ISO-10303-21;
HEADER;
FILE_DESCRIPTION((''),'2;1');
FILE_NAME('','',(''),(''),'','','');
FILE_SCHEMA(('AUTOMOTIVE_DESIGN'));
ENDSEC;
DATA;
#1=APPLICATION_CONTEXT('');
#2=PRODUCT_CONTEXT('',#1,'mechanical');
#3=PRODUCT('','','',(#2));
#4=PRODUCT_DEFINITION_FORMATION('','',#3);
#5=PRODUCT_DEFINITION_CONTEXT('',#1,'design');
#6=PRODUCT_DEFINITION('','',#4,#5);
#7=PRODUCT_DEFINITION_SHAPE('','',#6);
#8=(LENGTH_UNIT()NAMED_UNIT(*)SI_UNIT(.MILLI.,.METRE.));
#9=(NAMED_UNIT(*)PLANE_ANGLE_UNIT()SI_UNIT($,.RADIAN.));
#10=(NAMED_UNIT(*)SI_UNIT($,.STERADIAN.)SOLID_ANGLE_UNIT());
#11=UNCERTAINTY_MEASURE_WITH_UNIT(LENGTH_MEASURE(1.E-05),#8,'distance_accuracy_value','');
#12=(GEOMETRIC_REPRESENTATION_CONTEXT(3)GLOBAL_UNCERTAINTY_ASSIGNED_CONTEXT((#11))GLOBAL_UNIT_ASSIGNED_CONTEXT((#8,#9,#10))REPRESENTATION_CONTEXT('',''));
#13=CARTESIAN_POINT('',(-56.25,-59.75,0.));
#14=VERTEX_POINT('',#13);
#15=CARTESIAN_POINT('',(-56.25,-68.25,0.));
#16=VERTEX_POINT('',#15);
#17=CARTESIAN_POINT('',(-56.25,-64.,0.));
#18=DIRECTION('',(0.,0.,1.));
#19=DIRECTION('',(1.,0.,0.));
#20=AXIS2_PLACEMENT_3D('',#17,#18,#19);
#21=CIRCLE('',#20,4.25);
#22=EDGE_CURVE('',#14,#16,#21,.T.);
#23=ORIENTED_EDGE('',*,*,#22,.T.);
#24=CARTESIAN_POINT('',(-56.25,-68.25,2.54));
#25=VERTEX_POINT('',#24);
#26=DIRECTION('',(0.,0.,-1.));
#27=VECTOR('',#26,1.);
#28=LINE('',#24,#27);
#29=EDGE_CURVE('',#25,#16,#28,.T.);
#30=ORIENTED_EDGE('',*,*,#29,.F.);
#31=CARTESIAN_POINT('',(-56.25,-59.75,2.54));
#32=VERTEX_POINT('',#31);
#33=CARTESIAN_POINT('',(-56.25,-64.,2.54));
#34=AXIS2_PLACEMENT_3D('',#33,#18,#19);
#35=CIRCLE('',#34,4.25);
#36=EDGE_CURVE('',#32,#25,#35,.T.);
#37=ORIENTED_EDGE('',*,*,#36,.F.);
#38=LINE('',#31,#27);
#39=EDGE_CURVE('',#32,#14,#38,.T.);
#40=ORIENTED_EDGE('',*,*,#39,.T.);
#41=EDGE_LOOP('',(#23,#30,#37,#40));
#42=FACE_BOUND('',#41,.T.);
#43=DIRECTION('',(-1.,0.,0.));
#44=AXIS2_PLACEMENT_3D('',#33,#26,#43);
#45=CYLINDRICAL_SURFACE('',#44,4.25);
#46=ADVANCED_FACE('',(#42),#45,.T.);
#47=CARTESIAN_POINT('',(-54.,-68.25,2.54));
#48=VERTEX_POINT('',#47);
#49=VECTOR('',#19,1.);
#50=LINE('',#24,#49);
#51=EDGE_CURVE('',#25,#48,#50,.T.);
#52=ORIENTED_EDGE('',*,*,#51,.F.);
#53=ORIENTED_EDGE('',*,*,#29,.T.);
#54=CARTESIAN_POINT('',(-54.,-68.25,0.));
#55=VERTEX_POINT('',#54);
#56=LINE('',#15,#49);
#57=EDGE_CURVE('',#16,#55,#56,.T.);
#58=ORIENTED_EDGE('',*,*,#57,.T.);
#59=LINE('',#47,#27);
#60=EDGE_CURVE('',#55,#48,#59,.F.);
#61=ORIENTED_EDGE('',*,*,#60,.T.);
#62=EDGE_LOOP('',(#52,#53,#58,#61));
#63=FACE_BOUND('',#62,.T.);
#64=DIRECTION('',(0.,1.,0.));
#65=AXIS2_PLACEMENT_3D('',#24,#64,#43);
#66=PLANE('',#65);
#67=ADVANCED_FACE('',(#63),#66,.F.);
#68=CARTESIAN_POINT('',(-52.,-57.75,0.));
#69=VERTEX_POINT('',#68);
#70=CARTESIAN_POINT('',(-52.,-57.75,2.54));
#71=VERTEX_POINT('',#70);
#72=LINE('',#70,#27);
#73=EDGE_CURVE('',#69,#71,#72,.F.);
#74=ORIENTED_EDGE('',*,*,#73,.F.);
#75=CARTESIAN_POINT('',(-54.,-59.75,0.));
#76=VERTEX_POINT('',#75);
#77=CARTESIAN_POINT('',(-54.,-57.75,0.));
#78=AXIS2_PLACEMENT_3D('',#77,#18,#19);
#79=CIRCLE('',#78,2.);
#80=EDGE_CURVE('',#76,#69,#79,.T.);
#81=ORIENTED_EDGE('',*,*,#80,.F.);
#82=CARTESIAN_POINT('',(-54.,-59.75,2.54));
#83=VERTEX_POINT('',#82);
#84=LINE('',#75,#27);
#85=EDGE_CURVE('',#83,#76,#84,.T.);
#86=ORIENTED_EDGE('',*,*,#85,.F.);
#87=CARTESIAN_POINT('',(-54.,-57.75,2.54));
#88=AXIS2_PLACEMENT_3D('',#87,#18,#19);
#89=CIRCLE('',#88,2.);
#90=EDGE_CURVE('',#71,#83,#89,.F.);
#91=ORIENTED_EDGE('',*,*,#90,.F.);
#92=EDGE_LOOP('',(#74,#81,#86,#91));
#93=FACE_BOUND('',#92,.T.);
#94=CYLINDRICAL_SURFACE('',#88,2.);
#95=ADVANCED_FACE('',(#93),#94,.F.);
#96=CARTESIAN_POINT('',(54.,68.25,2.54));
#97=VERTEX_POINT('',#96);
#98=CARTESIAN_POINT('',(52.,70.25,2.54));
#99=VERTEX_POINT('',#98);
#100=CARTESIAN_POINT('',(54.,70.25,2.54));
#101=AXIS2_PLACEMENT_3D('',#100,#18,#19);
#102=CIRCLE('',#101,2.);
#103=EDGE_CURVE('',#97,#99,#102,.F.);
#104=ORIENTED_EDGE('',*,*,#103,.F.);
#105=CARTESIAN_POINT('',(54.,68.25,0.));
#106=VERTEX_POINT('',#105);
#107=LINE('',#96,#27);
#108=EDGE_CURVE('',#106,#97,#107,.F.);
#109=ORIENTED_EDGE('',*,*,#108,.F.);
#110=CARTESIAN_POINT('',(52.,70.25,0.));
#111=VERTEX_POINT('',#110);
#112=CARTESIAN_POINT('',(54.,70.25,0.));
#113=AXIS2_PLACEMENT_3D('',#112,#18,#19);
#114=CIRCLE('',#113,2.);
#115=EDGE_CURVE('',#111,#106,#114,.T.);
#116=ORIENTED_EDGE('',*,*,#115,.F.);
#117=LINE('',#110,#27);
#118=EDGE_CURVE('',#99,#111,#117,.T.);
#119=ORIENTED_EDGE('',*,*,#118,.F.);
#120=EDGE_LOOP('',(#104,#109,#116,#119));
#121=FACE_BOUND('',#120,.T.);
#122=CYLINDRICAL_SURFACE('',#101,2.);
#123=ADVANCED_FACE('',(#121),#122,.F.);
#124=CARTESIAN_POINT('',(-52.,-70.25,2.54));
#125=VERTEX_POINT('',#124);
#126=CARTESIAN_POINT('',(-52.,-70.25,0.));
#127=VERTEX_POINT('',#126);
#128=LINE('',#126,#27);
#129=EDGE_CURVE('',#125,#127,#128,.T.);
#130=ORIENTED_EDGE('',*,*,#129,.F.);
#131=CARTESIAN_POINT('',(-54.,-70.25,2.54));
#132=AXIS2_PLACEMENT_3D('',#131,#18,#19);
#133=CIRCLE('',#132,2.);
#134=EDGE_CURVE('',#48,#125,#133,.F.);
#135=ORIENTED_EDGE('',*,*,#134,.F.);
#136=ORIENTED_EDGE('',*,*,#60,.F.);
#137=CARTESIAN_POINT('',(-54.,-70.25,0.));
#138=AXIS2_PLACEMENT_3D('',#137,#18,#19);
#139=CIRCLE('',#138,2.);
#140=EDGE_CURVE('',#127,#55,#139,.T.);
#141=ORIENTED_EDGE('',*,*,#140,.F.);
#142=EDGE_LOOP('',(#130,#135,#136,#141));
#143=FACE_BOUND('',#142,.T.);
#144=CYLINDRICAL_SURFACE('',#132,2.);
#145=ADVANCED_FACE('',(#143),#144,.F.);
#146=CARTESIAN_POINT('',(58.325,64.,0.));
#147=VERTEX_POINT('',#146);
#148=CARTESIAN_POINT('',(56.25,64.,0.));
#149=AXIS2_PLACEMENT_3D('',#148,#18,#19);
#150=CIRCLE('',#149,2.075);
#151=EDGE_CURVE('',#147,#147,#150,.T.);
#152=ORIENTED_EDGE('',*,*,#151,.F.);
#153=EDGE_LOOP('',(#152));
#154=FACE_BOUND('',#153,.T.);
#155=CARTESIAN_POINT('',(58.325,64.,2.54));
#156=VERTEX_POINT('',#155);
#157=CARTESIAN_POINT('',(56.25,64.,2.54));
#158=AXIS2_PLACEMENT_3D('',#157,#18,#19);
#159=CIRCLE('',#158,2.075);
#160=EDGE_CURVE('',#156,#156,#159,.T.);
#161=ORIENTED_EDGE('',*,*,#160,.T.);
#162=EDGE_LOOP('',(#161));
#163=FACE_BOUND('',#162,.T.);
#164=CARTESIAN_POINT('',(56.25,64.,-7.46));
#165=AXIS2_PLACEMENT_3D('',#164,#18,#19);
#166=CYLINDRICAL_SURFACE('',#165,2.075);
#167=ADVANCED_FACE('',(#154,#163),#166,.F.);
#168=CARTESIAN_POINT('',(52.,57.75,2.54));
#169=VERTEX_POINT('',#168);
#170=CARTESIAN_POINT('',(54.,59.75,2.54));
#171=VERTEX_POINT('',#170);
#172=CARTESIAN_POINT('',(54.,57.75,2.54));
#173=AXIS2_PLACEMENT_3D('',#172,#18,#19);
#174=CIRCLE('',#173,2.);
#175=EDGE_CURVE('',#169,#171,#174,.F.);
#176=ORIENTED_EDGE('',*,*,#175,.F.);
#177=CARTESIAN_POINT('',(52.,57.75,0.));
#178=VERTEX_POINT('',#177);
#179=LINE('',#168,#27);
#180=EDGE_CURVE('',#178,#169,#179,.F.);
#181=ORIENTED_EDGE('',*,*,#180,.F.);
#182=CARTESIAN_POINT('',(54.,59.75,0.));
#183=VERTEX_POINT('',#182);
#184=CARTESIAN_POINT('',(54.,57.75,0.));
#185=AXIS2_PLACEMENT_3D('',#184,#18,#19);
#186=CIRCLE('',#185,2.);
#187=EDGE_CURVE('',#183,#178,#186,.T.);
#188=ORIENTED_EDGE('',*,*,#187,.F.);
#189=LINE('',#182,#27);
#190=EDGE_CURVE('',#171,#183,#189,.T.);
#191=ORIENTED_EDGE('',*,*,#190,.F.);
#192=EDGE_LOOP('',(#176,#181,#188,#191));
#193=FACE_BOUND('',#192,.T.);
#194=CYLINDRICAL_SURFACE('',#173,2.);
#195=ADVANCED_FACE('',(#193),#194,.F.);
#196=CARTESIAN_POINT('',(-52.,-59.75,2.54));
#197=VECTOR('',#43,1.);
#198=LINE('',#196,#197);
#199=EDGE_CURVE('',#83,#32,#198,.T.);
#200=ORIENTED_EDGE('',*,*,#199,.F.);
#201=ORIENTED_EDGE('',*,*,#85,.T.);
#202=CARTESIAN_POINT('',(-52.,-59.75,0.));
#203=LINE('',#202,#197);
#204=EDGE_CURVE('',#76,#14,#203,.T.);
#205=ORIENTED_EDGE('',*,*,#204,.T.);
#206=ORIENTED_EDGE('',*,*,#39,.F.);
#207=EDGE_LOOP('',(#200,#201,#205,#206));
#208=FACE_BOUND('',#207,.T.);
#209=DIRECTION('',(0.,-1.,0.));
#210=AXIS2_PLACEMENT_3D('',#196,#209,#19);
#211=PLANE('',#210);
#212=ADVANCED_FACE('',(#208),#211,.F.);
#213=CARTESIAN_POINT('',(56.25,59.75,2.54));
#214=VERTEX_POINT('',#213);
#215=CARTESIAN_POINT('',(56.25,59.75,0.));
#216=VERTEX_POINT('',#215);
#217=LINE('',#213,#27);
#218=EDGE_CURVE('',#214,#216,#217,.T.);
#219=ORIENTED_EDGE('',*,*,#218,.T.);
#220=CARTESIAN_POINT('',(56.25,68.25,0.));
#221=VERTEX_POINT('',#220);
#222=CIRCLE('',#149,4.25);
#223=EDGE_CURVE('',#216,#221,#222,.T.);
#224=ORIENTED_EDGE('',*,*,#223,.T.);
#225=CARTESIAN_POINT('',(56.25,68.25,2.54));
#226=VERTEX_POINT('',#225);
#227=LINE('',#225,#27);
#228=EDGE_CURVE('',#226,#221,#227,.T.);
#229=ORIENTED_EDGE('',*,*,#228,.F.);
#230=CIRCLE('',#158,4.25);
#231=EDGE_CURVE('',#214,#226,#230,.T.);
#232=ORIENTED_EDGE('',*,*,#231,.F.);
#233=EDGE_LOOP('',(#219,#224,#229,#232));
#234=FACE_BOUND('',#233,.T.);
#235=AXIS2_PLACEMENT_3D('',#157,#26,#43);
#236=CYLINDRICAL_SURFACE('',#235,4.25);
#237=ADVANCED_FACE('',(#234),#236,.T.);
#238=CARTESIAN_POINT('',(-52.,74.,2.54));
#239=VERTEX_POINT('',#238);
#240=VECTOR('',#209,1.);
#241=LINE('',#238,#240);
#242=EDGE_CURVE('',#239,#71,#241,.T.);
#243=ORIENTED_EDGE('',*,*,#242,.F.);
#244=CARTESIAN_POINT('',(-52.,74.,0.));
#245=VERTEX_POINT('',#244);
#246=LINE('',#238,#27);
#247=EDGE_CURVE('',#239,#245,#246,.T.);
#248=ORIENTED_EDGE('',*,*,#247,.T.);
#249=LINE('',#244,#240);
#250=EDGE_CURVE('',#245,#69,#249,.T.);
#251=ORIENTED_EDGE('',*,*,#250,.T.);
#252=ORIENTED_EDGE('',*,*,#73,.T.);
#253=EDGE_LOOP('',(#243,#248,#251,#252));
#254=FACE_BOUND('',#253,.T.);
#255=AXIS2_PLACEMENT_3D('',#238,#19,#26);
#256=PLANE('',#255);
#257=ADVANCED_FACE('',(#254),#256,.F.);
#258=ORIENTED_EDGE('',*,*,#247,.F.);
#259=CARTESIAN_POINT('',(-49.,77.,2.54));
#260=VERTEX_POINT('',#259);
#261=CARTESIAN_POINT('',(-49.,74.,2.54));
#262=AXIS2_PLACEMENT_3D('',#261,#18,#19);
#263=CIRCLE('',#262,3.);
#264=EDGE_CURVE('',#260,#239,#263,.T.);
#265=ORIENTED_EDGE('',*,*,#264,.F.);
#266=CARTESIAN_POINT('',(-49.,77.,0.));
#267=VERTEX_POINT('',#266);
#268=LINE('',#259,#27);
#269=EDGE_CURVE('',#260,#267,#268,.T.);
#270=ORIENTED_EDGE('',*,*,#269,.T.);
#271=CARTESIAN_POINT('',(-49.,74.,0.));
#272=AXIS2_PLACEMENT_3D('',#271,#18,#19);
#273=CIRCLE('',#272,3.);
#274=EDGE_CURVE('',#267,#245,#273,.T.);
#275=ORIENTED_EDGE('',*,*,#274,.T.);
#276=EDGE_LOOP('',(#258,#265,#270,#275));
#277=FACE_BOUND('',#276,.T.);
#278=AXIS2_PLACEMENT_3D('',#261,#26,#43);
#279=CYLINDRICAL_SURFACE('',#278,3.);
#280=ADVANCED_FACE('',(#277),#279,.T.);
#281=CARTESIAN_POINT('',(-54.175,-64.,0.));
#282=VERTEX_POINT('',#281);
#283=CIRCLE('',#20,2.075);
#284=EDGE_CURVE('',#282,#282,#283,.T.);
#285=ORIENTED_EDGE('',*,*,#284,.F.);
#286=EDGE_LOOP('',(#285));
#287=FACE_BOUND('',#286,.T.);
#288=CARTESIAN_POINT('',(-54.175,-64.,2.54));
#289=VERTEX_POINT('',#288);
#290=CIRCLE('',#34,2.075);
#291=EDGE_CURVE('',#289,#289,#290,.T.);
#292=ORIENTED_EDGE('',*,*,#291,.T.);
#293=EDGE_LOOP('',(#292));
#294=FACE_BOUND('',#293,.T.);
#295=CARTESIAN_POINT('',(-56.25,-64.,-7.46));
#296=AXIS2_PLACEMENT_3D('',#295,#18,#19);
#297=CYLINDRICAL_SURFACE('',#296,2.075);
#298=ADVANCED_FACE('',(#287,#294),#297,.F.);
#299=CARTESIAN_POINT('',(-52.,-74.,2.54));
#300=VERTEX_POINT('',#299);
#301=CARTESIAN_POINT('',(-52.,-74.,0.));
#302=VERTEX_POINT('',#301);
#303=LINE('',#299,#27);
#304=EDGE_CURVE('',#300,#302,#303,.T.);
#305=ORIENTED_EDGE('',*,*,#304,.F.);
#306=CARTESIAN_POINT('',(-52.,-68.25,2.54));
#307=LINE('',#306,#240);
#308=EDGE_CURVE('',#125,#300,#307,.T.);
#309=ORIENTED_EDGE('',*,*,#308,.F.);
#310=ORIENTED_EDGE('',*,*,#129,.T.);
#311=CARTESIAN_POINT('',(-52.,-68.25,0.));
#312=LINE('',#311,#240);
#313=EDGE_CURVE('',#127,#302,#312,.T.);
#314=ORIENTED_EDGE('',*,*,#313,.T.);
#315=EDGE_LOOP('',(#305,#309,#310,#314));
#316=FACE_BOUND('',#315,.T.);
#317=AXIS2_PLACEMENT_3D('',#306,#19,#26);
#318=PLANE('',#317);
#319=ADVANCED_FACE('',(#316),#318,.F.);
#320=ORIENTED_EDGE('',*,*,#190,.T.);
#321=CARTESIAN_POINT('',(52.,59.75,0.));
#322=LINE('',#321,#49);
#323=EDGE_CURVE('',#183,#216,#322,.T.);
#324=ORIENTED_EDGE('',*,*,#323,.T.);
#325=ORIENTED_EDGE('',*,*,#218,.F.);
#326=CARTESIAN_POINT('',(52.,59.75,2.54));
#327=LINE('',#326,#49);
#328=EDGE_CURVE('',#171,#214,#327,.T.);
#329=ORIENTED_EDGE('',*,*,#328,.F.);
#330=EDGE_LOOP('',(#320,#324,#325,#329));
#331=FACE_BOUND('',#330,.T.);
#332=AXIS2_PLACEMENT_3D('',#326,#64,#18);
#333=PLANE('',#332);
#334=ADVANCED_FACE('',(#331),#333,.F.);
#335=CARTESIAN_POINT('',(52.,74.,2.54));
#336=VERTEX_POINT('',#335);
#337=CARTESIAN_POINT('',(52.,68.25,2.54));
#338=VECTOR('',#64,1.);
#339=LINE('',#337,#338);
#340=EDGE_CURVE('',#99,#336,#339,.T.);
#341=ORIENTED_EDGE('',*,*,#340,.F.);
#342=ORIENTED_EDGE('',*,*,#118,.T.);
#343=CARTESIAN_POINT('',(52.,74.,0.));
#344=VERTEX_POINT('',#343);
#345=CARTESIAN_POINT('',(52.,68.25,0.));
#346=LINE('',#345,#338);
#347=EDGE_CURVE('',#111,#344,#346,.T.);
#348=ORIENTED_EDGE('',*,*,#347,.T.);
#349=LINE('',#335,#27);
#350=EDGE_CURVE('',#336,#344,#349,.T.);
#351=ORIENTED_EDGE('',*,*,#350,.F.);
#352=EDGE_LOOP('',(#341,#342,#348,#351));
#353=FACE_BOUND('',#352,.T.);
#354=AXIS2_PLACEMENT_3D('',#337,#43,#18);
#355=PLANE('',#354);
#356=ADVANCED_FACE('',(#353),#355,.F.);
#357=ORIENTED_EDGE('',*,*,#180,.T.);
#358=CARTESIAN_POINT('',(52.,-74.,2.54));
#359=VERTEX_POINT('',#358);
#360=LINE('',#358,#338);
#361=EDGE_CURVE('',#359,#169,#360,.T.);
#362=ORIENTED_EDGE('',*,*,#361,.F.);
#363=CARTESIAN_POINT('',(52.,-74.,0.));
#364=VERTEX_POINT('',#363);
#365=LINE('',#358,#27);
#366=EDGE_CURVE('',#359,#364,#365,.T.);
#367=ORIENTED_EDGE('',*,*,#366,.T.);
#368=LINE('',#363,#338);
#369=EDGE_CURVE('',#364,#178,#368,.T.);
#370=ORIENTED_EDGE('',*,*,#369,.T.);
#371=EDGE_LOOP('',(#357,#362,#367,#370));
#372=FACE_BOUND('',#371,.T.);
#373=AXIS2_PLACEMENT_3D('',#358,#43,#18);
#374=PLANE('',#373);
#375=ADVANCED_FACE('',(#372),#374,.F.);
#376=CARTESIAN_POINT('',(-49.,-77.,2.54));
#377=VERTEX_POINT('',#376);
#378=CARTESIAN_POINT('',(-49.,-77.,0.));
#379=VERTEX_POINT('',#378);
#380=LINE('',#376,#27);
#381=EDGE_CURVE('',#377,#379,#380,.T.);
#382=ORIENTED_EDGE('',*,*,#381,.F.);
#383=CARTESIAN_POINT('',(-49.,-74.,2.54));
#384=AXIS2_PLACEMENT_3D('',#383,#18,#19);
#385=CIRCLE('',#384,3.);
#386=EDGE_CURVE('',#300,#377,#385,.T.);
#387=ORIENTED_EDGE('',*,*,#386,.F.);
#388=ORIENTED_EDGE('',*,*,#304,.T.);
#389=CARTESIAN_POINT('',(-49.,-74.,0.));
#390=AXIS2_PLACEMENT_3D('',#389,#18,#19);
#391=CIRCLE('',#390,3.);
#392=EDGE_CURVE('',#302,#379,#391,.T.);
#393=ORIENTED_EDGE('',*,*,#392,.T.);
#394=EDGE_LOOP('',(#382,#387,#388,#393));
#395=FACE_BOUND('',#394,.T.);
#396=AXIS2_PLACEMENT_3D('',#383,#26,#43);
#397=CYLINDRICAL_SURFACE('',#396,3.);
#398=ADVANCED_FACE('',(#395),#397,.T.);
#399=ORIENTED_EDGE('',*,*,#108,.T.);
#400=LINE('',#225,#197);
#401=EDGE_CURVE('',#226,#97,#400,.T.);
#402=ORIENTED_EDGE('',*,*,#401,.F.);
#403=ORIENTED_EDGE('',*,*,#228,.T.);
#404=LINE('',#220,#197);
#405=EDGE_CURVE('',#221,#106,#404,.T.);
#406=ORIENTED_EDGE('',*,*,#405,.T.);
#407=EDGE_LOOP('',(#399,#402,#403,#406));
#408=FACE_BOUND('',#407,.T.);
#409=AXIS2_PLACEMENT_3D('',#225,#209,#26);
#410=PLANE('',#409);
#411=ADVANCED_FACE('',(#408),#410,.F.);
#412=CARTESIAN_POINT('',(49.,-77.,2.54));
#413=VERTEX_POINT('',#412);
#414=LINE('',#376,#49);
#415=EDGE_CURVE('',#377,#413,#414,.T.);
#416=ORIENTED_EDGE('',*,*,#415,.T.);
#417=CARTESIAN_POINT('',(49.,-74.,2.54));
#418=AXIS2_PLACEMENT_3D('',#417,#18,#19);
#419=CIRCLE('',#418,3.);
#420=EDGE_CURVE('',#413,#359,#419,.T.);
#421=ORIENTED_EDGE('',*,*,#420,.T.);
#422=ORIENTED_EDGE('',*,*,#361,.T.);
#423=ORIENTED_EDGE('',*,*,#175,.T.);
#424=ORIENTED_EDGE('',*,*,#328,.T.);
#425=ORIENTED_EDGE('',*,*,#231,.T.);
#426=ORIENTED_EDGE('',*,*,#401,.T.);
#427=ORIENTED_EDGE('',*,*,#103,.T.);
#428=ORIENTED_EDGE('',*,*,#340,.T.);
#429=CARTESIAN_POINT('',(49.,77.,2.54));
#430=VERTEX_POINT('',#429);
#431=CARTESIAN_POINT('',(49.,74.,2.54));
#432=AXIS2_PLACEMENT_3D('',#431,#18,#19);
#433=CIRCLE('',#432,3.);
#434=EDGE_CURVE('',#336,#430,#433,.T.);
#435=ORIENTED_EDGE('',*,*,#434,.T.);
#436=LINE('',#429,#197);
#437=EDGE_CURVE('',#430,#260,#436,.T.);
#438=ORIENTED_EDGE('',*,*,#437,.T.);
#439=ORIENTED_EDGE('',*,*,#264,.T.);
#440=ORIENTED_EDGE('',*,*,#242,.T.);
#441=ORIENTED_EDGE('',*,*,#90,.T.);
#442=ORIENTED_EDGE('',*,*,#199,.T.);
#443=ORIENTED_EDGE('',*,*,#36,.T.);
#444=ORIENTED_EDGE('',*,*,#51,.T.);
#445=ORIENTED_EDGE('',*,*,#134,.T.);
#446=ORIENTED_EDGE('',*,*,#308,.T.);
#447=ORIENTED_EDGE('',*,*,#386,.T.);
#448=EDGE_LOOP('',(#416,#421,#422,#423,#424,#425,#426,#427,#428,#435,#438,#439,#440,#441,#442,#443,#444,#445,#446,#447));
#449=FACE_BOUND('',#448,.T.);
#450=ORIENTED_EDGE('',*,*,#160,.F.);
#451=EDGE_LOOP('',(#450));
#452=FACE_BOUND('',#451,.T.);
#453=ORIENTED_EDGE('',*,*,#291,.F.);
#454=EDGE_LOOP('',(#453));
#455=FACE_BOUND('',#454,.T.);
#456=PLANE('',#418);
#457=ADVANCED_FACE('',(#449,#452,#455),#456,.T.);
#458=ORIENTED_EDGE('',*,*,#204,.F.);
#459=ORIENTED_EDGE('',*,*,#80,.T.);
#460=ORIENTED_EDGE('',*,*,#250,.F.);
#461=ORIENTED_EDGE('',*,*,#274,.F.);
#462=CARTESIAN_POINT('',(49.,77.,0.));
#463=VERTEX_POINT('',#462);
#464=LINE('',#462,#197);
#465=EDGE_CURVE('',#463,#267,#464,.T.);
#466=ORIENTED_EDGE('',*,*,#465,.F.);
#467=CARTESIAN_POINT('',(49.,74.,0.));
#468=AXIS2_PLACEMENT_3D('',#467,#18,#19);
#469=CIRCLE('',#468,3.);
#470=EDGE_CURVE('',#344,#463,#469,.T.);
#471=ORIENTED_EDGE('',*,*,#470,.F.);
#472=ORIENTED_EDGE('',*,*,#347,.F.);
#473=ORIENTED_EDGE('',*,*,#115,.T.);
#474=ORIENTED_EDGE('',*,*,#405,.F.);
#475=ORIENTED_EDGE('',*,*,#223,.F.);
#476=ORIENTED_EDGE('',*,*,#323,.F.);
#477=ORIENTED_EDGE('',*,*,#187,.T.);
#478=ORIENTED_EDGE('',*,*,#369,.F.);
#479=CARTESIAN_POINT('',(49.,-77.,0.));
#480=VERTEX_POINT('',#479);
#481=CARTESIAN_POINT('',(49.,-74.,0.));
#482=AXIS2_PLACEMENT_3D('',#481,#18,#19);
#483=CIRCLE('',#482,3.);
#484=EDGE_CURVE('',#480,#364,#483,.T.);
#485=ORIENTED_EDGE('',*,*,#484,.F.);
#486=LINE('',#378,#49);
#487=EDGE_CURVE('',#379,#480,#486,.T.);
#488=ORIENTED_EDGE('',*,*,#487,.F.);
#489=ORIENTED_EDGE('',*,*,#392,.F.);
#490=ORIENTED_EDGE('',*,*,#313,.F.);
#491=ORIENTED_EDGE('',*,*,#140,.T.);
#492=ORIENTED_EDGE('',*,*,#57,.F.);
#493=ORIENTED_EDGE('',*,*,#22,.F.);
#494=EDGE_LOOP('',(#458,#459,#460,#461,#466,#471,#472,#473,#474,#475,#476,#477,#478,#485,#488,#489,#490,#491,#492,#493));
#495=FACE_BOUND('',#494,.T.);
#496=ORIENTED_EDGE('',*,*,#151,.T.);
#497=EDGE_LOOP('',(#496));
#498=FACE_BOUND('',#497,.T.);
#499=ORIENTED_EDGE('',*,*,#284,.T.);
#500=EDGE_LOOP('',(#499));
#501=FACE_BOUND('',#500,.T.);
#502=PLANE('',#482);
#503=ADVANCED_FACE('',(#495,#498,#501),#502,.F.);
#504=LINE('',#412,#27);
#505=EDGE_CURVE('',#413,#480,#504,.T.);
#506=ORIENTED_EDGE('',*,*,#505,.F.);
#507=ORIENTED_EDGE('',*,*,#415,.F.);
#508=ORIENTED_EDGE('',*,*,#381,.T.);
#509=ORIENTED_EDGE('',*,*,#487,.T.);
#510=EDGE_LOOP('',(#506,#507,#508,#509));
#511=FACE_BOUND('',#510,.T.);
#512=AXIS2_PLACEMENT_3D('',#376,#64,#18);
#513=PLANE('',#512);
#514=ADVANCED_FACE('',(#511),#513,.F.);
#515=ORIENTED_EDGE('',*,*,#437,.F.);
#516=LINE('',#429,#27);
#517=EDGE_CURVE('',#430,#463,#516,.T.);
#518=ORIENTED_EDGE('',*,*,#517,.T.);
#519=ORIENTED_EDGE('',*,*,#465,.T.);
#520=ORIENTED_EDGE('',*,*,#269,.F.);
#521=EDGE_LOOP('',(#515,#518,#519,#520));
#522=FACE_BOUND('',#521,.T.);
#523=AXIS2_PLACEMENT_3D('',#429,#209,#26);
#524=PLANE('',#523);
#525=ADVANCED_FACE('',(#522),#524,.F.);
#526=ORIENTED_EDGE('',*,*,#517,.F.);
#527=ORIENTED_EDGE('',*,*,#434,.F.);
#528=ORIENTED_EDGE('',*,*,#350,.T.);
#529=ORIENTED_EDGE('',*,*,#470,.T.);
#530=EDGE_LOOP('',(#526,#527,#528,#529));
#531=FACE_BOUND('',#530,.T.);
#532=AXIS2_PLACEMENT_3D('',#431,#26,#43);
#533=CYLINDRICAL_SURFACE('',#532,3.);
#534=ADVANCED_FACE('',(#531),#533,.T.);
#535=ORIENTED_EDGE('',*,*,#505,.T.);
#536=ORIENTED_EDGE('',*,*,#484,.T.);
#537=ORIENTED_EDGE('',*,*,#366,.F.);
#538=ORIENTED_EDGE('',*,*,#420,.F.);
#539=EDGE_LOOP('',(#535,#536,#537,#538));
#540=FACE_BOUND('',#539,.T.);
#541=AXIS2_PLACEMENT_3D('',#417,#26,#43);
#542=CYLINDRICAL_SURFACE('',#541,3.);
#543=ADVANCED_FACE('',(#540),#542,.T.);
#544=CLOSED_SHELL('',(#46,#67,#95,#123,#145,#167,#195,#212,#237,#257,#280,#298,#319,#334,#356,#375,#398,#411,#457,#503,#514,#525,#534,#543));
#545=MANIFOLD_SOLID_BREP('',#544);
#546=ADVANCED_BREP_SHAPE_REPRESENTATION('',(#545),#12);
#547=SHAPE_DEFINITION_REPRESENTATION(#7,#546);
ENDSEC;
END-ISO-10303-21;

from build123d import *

# Parameters (mm, degrees)
BOSS_EXTRUDE1_DEPTH = 2.54
SKETCH2_R           = 2.075
CUT_EXTRUDE1_DEPTH  = 10
FILLET1_R           = 2


with BuildPart() as part:
    # Sketch1 → Boss-Extrude1 (new body)
    with BuildSketch(Plane.XY):
        with BuildLine():
            Line((52, -74), (52, 59.75))
            Line((52, 59.75), (56.25, 59.75))
            ThreePointArc((56.25, 59.75), (60.5, 64), (56.25, 68.25))
            Line((56.25, 68.25), (52, 68.25))
            Line((52, 68.25), (52, 74))
            ThreePointArc((52, 74), (51.121320344, 76.121320344), (49, 77))
            Line((49, 77), (-49, 77))
            ThreePointArc((-49, 77), (-51.121320344, 76.121320344), (-52, 74))
            Line((-52, 74), (-52, -59.75))
            Line((-52, -59.75), (-56.25, -59.75))
            ThreePointArc((-56.25, -59.75), (-60.5, -64), (-56.25, -68.25))
            Line((-56.25, -68.25), (-52, -68.25))
            Line((-52, -68.25), (-52, -74))
            ThreePointArc((-52, -74), (-51.121320344, -76.121320344), (-49, -77))
            Line((-49, -77), (49, -77))
            ThreePointArc((49, -77), (51.121320344, -76.121320344), (52, -74))
        make_face()
    extrude(amount=BOSS_EXTRUDE1_DEPTH)

    # Sketch2 → Cut-Extrude1 (cut)
    with BuildSketch(Plane.XY.offset(2.54)):
        with Locations((56.25, 64)):
            Circle(SKETCH2_R)
        with Locations((-56.25, -64)):
            Circle(SKETCH2_R)
    extrude(amount=-CUT_EXTRUDE1_DEPTH, mode=Mode.SUBTRACT)

    # Fillet1
    fillet1_edges = [part.edges().sort_by_distance(p)[0] for p in [
        (-52, -68.25, 1.27),
        (-52, -59.75, 1.27),
        (52, 68.25, 1.27),
        (52, 59.75, 1.27),
    ]]
    fillet(fillet1_edges, radius=FILLET1_R)


solid = part.part
